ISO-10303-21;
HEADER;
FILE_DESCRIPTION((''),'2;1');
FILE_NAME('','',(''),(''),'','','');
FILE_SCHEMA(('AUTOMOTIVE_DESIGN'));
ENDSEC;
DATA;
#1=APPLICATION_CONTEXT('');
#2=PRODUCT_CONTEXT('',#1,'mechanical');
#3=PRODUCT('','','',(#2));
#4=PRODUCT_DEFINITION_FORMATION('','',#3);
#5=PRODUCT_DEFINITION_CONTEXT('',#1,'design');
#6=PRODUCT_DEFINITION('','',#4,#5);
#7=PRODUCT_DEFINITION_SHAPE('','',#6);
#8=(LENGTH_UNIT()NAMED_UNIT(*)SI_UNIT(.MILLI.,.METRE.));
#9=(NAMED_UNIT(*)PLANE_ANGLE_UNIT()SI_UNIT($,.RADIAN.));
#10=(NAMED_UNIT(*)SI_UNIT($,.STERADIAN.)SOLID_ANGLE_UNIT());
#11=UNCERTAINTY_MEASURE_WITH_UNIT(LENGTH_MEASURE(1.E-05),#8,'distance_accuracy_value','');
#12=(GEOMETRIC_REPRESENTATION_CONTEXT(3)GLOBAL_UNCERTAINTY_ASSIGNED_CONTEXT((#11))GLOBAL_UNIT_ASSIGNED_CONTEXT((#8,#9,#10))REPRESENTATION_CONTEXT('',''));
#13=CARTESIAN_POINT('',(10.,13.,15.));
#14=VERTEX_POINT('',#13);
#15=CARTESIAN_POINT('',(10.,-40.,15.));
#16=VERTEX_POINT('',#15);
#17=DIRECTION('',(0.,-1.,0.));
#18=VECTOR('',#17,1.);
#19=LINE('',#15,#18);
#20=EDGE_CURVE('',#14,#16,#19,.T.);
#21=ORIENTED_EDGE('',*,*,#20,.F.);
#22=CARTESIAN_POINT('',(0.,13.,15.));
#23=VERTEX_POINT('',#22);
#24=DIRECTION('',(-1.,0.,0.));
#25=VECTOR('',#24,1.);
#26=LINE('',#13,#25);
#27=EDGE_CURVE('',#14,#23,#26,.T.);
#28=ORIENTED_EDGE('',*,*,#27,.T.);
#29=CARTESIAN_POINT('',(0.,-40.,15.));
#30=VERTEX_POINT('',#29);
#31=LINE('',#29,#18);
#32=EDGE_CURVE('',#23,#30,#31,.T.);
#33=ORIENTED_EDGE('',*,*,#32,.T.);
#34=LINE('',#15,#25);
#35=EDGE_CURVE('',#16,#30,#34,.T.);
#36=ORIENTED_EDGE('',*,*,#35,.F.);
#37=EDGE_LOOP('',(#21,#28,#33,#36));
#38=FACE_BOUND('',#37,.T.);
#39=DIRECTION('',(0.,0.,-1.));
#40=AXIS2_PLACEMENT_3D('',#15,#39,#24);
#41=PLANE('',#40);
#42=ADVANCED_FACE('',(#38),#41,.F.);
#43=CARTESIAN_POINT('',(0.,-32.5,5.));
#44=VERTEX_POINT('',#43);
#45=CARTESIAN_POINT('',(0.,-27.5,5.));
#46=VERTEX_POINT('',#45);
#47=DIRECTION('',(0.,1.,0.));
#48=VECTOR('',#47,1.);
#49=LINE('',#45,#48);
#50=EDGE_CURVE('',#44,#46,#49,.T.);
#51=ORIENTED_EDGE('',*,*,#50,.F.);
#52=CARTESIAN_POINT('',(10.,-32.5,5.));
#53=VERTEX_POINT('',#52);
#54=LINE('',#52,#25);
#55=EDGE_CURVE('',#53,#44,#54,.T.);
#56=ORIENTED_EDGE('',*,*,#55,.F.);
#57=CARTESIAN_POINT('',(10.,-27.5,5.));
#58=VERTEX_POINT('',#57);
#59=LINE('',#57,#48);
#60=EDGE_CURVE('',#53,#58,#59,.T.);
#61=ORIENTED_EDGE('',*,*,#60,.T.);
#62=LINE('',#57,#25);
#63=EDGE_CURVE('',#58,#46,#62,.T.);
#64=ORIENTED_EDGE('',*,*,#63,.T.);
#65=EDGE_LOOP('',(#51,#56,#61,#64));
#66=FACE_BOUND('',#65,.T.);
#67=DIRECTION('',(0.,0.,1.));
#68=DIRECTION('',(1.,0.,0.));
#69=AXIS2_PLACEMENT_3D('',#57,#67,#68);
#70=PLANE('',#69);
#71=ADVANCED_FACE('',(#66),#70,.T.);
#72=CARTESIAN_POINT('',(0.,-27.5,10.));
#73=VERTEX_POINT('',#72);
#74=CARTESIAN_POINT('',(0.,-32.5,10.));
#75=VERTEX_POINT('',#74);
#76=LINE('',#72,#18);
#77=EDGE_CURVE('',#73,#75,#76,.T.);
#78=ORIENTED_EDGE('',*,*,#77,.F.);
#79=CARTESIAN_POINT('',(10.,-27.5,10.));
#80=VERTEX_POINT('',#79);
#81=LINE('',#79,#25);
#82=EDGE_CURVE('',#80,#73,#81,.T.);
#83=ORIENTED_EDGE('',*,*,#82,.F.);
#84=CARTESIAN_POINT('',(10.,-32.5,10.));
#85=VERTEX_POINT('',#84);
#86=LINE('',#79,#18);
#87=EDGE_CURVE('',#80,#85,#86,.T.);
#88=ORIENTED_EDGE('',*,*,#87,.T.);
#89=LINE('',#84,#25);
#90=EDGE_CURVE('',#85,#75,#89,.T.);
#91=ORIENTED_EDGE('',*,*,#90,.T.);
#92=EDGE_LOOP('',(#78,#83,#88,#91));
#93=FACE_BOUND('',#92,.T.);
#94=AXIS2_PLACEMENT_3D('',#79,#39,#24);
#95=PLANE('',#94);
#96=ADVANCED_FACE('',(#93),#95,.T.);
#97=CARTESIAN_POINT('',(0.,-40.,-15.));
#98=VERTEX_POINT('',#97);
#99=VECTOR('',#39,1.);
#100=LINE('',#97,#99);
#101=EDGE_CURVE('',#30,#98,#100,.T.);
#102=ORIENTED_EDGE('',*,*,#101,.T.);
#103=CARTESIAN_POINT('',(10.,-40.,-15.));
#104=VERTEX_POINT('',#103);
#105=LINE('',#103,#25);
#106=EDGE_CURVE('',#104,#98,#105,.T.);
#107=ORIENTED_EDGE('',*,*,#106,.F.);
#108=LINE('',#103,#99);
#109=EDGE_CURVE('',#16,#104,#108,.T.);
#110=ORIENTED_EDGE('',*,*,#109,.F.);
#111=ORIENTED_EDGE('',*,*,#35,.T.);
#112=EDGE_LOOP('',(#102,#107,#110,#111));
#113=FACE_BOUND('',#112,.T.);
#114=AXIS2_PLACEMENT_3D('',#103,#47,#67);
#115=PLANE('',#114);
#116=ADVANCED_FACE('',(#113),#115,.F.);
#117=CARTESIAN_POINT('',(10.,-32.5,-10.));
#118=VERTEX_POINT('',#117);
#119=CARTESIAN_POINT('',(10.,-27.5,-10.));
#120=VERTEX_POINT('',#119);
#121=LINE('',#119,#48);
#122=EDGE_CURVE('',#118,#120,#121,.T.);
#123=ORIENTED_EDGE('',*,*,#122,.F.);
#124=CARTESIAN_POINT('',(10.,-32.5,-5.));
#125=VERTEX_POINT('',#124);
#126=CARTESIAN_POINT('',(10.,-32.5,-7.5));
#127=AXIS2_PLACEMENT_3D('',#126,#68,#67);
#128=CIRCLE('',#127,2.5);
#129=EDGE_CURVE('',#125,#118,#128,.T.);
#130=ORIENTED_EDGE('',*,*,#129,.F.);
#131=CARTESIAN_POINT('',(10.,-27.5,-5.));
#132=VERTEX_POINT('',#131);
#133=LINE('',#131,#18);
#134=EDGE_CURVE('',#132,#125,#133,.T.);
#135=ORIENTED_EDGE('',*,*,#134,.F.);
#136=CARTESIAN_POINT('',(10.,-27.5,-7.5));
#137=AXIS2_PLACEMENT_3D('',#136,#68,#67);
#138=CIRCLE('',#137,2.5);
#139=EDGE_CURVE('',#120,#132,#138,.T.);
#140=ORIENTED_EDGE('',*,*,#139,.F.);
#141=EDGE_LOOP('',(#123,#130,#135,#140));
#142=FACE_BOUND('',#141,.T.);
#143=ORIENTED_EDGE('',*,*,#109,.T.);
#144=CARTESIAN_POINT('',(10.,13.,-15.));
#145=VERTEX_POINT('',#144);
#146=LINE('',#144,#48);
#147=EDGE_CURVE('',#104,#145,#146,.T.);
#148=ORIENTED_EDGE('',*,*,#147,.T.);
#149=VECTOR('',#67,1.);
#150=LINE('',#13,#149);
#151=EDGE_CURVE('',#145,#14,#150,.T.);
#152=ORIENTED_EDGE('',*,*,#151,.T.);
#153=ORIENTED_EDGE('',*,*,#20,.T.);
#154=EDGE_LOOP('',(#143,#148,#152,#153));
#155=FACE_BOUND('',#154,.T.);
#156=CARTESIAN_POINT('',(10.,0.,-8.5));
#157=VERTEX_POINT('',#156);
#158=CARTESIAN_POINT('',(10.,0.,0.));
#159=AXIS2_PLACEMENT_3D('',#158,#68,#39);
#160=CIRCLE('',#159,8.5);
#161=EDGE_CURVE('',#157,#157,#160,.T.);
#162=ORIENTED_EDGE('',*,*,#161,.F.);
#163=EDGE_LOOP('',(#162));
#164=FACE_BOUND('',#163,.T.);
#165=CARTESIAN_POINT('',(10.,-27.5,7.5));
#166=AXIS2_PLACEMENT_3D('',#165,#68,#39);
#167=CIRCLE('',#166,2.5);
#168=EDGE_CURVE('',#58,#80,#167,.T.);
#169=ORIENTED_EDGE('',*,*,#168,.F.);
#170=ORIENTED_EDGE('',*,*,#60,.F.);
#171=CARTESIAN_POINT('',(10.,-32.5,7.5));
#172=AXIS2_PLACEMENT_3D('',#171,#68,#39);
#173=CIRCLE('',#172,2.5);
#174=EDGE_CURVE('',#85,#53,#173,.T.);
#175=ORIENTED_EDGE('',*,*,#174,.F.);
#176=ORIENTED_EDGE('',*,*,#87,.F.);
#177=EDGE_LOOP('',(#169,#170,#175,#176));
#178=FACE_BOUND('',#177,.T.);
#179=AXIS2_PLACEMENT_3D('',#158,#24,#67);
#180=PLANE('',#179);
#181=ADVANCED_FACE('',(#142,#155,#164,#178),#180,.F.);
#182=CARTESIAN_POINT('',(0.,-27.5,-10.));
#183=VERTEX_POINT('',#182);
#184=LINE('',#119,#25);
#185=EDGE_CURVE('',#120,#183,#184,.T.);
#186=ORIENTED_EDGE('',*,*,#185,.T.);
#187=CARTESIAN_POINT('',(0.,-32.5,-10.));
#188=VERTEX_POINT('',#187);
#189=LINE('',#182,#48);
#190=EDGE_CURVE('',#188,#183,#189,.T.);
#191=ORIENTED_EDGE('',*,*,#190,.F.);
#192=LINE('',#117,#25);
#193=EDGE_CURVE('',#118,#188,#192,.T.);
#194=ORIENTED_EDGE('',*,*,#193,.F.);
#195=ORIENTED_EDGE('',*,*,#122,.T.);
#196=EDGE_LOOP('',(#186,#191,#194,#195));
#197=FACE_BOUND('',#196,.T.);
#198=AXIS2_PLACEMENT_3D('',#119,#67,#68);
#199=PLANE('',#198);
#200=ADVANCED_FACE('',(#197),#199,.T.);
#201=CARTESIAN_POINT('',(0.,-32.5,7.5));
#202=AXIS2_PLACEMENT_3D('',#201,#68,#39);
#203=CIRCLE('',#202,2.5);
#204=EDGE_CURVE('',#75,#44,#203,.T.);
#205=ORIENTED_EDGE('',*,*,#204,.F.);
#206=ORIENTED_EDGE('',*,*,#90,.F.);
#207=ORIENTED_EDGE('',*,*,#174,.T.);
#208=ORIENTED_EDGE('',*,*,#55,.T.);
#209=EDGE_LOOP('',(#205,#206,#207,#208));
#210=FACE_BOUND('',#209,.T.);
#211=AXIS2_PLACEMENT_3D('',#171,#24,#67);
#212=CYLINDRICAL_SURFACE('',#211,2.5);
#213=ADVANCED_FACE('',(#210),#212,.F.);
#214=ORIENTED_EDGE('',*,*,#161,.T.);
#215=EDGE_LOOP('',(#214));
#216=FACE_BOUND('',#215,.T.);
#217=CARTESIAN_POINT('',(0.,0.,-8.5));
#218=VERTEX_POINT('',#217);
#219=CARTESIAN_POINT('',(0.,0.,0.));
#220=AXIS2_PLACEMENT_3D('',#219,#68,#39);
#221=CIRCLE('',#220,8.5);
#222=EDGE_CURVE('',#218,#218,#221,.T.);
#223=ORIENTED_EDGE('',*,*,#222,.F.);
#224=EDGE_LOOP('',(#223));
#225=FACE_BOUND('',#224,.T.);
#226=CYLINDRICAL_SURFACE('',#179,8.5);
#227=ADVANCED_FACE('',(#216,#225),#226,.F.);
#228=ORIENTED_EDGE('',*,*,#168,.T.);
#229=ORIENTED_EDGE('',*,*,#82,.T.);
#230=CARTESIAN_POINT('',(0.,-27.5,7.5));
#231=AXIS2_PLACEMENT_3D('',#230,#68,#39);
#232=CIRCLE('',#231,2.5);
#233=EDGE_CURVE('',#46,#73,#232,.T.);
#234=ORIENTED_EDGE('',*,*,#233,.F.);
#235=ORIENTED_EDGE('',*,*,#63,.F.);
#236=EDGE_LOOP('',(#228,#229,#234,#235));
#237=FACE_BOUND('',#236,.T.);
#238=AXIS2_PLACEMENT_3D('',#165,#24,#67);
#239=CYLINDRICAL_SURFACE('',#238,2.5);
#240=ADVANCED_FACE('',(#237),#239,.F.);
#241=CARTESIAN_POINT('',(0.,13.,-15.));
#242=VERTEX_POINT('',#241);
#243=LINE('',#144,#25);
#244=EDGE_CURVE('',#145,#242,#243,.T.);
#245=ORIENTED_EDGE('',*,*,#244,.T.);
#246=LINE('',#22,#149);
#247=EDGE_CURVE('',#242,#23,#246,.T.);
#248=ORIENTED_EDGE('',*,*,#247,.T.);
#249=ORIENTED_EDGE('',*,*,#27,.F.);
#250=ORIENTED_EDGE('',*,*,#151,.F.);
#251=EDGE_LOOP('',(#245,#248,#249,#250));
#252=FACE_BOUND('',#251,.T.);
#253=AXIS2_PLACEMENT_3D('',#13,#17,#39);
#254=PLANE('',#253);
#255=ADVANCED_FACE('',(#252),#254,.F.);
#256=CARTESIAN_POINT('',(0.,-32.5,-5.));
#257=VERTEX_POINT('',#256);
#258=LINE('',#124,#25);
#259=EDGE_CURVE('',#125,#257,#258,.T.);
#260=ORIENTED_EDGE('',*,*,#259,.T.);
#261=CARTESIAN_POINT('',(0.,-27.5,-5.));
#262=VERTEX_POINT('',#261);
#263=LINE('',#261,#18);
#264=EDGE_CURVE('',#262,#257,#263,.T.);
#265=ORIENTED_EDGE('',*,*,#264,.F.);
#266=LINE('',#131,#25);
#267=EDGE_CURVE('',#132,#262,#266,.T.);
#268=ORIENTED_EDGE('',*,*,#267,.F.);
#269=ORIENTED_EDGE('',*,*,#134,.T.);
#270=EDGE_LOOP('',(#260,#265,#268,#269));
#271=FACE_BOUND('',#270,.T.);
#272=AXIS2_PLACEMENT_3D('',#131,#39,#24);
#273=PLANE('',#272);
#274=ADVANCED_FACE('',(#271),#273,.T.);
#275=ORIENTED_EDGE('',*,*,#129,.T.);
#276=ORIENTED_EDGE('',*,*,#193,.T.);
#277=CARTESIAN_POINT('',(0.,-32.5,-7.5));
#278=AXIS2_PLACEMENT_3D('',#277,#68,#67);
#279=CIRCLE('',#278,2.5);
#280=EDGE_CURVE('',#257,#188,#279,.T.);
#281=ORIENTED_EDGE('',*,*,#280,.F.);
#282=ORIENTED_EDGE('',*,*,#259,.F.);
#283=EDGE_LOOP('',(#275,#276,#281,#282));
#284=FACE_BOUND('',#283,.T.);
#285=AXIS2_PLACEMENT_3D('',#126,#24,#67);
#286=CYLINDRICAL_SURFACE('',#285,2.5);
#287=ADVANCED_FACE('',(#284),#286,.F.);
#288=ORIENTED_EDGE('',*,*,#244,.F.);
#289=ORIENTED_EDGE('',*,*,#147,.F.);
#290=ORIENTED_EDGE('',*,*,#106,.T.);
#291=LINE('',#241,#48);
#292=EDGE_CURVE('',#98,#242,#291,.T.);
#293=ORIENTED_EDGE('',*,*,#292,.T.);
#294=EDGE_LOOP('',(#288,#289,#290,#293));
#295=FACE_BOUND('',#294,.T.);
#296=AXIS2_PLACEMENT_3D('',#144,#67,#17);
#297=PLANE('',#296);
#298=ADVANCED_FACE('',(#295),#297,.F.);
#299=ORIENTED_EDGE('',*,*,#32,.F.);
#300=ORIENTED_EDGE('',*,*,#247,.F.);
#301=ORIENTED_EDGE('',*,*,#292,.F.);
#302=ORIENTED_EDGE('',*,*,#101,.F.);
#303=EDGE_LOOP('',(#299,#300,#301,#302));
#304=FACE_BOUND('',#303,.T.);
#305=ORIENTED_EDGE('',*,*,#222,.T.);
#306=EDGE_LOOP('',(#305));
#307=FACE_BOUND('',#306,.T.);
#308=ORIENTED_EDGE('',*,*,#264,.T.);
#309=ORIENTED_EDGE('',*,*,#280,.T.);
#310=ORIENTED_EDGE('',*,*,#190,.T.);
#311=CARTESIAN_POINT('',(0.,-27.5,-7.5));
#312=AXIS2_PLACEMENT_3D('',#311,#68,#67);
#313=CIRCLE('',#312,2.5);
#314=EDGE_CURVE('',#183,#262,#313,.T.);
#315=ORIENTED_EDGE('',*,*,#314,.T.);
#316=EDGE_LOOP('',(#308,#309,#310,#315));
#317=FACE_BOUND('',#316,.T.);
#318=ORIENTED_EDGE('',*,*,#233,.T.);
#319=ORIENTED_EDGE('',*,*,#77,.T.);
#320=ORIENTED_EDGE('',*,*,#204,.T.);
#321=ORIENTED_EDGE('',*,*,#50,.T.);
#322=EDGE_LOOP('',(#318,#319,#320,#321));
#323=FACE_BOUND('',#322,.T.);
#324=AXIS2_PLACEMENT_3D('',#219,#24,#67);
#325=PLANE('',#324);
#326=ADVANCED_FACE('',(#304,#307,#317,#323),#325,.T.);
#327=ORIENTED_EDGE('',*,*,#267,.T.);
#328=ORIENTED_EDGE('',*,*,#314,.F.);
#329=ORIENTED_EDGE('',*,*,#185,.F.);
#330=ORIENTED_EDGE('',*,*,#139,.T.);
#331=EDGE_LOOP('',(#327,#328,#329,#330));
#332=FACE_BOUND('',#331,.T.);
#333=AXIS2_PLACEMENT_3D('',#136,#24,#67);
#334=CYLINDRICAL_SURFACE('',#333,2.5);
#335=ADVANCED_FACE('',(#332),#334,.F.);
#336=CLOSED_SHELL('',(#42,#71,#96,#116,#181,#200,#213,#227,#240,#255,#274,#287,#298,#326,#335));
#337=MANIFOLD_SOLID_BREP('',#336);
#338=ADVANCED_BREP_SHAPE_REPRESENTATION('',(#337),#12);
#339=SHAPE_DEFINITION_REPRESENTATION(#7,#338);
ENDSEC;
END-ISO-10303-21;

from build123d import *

# Parameters (mm, degrees)
SKETCH1_W           = 30
SKETCH1_H           = 53
SKETCH1_R           = 8.5
BOSS_EXTRUDE1_DEPTH = 10


with BuildPart() as part:
    # Sketch1 → Boss-Extrude1 (new body)
    with BuildSketch(Plane(origin=(0, 0, 0), x_dir=(0, 0, -1), z_dir=(1, 0, 0))):
        with Locations((0, -13.5)):
            Rectangle(SKETCH1_W, SKETCH1_H)
        Circle(SKETCH1_R, mode=Mode.SUBTRACT)
        with BuildLine():
            Line((-5, -27.5), (-5, -32.5))
            ThreePointArc((-5, -32.5), (-7.5, -35), (-10, -32.5))
            Line((-10, -32.5), (-10, -27.5))
            ThreePointArc((-10, -27.5), (-7.5, -25), (-5, -27.5))
        make_face(mode=Mode.SUBTRACT)
        with BuildLine():
            Line((5, -27.5), (5, -32.5))
            ThreePointArc((5, -32.5), (7.5, -35), (10, -32.5))
            Line((10, -32.5), (10, -27.5))
            ThreePointArc((10, -27.5), (7.5, -25), (5, -27.5))
        make_face(mode=Mode.SUBTRACT)
    extrude(amount=BOSS_EXTRUDE1_DEPTH)


solid = part.part
